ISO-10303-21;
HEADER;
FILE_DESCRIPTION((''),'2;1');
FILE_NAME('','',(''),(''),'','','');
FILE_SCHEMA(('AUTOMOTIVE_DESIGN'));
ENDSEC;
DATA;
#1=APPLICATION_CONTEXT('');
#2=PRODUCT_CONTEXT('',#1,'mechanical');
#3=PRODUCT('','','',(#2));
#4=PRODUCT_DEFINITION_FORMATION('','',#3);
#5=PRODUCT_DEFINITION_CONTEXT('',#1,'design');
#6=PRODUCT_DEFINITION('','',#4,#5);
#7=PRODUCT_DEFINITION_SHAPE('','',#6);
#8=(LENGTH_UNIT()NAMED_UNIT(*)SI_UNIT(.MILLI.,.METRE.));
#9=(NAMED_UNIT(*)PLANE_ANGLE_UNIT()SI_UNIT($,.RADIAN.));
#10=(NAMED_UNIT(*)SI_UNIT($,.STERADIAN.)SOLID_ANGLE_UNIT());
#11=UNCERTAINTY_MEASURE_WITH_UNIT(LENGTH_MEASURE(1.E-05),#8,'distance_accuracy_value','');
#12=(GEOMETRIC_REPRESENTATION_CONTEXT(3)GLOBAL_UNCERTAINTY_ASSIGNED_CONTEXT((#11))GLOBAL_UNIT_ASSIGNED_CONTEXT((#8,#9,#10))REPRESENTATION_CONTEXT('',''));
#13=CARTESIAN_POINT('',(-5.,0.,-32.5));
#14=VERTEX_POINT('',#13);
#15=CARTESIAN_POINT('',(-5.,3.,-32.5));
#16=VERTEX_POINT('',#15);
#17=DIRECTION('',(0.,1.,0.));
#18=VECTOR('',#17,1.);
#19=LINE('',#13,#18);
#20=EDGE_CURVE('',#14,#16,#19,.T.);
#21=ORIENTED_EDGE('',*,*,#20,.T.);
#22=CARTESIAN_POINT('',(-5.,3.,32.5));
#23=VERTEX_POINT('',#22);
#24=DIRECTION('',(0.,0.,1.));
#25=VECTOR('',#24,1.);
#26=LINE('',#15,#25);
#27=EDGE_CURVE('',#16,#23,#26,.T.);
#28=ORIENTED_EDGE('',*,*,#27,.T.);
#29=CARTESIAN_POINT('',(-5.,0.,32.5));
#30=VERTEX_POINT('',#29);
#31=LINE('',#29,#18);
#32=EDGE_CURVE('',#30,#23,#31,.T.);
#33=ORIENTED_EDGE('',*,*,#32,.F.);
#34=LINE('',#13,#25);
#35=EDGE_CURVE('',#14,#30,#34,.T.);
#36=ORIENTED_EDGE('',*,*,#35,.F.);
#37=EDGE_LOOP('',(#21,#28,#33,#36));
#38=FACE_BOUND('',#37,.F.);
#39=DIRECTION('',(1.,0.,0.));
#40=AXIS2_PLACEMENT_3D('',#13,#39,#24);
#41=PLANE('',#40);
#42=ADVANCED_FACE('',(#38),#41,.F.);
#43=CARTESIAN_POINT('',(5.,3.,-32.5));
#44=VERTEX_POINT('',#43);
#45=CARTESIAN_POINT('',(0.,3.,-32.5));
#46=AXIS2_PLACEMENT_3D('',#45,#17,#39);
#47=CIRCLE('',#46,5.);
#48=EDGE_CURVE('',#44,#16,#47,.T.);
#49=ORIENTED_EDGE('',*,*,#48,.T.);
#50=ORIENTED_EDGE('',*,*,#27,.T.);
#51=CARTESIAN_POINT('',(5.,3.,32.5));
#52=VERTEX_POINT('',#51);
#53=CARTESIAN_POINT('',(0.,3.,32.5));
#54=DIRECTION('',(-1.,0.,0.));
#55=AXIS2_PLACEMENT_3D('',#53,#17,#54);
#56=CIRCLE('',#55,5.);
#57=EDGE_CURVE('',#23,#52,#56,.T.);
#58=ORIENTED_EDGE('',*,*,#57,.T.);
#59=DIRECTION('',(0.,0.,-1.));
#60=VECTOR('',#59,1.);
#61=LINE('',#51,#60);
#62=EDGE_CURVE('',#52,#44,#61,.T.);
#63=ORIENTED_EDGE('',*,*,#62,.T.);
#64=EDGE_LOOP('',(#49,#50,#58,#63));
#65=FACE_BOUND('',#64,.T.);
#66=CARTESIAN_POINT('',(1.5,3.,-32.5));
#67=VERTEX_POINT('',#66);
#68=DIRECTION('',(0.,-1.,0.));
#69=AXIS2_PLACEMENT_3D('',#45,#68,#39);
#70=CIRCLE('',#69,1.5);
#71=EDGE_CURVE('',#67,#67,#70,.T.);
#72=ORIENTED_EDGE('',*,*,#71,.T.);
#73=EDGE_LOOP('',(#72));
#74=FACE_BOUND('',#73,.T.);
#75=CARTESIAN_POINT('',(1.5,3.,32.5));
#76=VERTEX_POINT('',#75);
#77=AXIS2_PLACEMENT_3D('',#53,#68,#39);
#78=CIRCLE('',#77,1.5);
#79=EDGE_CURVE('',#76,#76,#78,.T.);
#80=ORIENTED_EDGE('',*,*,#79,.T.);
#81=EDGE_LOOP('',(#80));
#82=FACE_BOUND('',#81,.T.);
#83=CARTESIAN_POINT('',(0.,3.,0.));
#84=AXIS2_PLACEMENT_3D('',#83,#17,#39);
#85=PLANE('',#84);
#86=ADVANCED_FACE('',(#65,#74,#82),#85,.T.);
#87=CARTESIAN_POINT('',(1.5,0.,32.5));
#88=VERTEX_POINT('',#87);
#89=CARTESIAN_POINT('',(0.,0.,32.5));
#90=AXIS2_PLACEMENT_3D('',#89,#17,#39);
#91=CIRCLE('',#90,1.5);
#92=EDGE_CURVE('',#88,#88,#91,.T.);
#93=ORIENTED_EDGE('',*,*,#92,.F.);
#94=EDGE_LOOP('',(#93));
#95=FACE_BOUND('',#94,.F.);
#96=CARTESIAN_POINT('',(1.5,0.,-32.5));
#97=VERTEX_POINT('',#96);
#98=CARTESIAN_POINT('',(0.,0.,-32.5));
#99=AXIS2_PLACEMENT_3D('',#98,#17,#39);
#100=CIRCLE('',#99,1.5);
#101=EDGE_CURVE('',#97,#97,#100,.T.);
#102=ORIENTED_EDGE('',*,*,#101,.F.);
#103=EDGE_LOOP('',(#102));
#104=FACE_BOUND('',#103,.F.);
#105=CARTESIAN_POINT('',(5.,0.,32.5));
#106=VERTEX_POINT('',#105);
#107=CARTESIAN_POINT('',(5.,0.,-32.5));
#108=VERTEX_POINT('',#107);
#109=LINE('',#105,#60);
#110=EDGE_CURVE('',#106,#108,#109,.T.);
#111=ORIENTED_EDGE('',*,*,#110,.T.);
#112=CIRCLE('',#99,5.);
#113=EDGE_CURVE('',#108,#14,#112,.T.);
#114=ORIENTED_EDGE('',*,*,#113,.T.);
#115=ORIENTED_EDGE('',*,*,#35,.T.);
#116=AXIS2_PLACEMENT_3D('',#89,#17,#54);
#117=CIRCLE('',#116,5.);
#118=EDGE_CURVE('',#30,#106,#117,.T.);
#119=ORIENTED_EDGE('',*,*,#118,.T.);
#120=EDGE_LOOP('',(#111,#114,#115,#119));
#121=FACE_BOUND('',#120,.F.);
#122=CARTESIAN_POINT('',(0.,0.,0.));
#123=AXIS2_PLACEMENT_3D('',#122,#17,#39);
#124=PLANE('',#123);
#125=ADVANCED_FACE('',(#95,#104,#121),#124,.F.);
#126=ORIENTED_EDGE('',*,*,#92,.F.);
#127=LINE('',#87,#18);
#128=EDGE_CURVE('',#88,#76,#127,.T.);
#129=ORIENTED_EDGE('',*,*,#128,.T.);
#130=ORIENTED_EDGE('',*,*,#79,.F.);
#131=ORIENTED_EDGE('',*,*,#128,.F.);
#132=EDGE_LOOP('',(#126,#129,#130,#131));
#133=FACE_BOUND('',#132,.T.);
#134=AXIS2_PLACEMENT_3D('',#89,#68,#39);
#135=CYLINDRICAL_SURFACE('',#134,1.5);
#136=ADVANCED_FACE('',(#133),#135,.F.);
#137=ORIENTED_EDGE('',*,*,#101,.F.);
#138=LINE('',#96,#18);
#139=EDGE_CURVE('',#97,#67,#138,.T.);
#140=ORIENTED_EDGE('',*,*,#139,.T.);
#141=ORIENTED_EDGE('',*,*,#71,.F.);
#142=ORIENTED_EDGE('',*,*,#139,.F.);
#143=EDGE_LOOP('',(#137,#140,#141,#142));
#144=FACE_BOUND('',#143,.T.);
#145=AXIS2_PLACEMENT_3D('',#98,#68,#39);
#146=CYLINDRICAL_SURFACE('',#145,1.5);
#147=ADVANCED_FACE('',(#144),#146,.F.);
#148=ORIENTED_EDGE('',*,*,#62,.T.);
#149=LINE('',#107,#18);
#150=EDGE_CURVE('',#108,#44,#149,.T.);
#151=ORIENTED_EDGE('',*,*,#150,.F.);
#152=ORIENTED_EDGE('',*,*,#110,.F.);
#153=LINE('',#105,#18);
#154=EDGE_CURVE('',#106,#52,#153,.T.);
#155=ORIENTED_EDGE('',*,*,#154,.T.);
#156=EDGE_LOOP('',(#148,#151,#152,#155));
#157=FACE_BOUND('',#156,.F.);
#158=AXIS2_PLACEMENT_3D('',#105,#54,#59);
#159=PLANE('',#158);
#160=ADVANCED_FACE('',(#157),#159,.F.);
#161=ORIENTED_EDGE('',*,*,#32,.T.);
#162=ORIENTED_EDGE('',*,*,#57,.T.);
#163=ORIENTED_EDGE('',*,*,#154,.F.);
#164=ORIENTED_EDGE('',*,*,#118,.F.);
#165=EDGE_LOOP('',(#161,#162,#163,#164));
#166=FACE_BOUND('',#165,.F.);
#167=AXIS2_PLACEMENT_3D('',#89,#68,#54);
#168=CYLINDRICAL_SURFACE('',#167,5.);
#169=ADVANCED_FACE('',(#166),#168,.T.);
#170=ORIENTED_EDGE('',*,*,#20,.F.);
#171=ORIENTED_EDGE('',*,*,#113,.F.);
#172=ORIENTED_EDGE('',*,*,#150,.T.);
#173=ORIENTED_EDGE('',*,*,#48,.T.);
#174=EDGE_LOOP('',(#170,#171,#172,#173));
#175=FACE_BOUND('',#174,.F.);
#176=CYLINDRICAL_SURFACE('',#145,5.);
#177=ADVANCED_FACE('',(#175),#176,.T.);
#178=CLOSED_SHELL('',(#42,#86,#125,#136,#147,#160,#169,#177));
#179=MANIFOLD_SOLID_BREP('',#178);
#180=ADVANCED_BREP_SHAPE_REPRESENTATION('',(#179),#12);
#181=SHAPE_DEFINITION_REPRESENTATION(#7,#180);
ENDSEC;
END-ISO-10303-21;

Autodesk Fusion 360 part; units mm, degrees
sketch "Sketch1" plane through (0, 0, 0) normal (0, 1, 0) x (1, 0, 0)
  line L0 (5, 32.5) -> (-5, 32.5)
  line L1 (-5, 32.5) -> (-5, -32.5)
  line L2 (-5, -32.5) -> (5, -32.5)
  line L3 (5, -32.5) -> (5, 32.5)
  line L4 (5, 32.5) -> (-5, -32.5) construction
  line L5 (-5, 32.5) -> (5, -32.5) construction
  arc A0 (5, 32.5) -> (-5, 32.5) centre (0, 32.5) ccw
  line L6 (-5, 0) -> (5, 0) construction
  circle A1 centre (0, 32.5) radius 1.5
  arc A2 (-5, -32.5) -> (5, -32.5) centre (0, -32.5) ccw
  circle A3 centre (0, -32.5) radius 1.5
  dimension "d1" = 10
  dimension "d2" = 65
  dimension "d3" = 3
extrude "Extrude1" add sketch "Sketch1" along normal blind 3 contours L0 L1 L2 L3 A1 A3 | L0 A0 A1 | L2 A2 A3
